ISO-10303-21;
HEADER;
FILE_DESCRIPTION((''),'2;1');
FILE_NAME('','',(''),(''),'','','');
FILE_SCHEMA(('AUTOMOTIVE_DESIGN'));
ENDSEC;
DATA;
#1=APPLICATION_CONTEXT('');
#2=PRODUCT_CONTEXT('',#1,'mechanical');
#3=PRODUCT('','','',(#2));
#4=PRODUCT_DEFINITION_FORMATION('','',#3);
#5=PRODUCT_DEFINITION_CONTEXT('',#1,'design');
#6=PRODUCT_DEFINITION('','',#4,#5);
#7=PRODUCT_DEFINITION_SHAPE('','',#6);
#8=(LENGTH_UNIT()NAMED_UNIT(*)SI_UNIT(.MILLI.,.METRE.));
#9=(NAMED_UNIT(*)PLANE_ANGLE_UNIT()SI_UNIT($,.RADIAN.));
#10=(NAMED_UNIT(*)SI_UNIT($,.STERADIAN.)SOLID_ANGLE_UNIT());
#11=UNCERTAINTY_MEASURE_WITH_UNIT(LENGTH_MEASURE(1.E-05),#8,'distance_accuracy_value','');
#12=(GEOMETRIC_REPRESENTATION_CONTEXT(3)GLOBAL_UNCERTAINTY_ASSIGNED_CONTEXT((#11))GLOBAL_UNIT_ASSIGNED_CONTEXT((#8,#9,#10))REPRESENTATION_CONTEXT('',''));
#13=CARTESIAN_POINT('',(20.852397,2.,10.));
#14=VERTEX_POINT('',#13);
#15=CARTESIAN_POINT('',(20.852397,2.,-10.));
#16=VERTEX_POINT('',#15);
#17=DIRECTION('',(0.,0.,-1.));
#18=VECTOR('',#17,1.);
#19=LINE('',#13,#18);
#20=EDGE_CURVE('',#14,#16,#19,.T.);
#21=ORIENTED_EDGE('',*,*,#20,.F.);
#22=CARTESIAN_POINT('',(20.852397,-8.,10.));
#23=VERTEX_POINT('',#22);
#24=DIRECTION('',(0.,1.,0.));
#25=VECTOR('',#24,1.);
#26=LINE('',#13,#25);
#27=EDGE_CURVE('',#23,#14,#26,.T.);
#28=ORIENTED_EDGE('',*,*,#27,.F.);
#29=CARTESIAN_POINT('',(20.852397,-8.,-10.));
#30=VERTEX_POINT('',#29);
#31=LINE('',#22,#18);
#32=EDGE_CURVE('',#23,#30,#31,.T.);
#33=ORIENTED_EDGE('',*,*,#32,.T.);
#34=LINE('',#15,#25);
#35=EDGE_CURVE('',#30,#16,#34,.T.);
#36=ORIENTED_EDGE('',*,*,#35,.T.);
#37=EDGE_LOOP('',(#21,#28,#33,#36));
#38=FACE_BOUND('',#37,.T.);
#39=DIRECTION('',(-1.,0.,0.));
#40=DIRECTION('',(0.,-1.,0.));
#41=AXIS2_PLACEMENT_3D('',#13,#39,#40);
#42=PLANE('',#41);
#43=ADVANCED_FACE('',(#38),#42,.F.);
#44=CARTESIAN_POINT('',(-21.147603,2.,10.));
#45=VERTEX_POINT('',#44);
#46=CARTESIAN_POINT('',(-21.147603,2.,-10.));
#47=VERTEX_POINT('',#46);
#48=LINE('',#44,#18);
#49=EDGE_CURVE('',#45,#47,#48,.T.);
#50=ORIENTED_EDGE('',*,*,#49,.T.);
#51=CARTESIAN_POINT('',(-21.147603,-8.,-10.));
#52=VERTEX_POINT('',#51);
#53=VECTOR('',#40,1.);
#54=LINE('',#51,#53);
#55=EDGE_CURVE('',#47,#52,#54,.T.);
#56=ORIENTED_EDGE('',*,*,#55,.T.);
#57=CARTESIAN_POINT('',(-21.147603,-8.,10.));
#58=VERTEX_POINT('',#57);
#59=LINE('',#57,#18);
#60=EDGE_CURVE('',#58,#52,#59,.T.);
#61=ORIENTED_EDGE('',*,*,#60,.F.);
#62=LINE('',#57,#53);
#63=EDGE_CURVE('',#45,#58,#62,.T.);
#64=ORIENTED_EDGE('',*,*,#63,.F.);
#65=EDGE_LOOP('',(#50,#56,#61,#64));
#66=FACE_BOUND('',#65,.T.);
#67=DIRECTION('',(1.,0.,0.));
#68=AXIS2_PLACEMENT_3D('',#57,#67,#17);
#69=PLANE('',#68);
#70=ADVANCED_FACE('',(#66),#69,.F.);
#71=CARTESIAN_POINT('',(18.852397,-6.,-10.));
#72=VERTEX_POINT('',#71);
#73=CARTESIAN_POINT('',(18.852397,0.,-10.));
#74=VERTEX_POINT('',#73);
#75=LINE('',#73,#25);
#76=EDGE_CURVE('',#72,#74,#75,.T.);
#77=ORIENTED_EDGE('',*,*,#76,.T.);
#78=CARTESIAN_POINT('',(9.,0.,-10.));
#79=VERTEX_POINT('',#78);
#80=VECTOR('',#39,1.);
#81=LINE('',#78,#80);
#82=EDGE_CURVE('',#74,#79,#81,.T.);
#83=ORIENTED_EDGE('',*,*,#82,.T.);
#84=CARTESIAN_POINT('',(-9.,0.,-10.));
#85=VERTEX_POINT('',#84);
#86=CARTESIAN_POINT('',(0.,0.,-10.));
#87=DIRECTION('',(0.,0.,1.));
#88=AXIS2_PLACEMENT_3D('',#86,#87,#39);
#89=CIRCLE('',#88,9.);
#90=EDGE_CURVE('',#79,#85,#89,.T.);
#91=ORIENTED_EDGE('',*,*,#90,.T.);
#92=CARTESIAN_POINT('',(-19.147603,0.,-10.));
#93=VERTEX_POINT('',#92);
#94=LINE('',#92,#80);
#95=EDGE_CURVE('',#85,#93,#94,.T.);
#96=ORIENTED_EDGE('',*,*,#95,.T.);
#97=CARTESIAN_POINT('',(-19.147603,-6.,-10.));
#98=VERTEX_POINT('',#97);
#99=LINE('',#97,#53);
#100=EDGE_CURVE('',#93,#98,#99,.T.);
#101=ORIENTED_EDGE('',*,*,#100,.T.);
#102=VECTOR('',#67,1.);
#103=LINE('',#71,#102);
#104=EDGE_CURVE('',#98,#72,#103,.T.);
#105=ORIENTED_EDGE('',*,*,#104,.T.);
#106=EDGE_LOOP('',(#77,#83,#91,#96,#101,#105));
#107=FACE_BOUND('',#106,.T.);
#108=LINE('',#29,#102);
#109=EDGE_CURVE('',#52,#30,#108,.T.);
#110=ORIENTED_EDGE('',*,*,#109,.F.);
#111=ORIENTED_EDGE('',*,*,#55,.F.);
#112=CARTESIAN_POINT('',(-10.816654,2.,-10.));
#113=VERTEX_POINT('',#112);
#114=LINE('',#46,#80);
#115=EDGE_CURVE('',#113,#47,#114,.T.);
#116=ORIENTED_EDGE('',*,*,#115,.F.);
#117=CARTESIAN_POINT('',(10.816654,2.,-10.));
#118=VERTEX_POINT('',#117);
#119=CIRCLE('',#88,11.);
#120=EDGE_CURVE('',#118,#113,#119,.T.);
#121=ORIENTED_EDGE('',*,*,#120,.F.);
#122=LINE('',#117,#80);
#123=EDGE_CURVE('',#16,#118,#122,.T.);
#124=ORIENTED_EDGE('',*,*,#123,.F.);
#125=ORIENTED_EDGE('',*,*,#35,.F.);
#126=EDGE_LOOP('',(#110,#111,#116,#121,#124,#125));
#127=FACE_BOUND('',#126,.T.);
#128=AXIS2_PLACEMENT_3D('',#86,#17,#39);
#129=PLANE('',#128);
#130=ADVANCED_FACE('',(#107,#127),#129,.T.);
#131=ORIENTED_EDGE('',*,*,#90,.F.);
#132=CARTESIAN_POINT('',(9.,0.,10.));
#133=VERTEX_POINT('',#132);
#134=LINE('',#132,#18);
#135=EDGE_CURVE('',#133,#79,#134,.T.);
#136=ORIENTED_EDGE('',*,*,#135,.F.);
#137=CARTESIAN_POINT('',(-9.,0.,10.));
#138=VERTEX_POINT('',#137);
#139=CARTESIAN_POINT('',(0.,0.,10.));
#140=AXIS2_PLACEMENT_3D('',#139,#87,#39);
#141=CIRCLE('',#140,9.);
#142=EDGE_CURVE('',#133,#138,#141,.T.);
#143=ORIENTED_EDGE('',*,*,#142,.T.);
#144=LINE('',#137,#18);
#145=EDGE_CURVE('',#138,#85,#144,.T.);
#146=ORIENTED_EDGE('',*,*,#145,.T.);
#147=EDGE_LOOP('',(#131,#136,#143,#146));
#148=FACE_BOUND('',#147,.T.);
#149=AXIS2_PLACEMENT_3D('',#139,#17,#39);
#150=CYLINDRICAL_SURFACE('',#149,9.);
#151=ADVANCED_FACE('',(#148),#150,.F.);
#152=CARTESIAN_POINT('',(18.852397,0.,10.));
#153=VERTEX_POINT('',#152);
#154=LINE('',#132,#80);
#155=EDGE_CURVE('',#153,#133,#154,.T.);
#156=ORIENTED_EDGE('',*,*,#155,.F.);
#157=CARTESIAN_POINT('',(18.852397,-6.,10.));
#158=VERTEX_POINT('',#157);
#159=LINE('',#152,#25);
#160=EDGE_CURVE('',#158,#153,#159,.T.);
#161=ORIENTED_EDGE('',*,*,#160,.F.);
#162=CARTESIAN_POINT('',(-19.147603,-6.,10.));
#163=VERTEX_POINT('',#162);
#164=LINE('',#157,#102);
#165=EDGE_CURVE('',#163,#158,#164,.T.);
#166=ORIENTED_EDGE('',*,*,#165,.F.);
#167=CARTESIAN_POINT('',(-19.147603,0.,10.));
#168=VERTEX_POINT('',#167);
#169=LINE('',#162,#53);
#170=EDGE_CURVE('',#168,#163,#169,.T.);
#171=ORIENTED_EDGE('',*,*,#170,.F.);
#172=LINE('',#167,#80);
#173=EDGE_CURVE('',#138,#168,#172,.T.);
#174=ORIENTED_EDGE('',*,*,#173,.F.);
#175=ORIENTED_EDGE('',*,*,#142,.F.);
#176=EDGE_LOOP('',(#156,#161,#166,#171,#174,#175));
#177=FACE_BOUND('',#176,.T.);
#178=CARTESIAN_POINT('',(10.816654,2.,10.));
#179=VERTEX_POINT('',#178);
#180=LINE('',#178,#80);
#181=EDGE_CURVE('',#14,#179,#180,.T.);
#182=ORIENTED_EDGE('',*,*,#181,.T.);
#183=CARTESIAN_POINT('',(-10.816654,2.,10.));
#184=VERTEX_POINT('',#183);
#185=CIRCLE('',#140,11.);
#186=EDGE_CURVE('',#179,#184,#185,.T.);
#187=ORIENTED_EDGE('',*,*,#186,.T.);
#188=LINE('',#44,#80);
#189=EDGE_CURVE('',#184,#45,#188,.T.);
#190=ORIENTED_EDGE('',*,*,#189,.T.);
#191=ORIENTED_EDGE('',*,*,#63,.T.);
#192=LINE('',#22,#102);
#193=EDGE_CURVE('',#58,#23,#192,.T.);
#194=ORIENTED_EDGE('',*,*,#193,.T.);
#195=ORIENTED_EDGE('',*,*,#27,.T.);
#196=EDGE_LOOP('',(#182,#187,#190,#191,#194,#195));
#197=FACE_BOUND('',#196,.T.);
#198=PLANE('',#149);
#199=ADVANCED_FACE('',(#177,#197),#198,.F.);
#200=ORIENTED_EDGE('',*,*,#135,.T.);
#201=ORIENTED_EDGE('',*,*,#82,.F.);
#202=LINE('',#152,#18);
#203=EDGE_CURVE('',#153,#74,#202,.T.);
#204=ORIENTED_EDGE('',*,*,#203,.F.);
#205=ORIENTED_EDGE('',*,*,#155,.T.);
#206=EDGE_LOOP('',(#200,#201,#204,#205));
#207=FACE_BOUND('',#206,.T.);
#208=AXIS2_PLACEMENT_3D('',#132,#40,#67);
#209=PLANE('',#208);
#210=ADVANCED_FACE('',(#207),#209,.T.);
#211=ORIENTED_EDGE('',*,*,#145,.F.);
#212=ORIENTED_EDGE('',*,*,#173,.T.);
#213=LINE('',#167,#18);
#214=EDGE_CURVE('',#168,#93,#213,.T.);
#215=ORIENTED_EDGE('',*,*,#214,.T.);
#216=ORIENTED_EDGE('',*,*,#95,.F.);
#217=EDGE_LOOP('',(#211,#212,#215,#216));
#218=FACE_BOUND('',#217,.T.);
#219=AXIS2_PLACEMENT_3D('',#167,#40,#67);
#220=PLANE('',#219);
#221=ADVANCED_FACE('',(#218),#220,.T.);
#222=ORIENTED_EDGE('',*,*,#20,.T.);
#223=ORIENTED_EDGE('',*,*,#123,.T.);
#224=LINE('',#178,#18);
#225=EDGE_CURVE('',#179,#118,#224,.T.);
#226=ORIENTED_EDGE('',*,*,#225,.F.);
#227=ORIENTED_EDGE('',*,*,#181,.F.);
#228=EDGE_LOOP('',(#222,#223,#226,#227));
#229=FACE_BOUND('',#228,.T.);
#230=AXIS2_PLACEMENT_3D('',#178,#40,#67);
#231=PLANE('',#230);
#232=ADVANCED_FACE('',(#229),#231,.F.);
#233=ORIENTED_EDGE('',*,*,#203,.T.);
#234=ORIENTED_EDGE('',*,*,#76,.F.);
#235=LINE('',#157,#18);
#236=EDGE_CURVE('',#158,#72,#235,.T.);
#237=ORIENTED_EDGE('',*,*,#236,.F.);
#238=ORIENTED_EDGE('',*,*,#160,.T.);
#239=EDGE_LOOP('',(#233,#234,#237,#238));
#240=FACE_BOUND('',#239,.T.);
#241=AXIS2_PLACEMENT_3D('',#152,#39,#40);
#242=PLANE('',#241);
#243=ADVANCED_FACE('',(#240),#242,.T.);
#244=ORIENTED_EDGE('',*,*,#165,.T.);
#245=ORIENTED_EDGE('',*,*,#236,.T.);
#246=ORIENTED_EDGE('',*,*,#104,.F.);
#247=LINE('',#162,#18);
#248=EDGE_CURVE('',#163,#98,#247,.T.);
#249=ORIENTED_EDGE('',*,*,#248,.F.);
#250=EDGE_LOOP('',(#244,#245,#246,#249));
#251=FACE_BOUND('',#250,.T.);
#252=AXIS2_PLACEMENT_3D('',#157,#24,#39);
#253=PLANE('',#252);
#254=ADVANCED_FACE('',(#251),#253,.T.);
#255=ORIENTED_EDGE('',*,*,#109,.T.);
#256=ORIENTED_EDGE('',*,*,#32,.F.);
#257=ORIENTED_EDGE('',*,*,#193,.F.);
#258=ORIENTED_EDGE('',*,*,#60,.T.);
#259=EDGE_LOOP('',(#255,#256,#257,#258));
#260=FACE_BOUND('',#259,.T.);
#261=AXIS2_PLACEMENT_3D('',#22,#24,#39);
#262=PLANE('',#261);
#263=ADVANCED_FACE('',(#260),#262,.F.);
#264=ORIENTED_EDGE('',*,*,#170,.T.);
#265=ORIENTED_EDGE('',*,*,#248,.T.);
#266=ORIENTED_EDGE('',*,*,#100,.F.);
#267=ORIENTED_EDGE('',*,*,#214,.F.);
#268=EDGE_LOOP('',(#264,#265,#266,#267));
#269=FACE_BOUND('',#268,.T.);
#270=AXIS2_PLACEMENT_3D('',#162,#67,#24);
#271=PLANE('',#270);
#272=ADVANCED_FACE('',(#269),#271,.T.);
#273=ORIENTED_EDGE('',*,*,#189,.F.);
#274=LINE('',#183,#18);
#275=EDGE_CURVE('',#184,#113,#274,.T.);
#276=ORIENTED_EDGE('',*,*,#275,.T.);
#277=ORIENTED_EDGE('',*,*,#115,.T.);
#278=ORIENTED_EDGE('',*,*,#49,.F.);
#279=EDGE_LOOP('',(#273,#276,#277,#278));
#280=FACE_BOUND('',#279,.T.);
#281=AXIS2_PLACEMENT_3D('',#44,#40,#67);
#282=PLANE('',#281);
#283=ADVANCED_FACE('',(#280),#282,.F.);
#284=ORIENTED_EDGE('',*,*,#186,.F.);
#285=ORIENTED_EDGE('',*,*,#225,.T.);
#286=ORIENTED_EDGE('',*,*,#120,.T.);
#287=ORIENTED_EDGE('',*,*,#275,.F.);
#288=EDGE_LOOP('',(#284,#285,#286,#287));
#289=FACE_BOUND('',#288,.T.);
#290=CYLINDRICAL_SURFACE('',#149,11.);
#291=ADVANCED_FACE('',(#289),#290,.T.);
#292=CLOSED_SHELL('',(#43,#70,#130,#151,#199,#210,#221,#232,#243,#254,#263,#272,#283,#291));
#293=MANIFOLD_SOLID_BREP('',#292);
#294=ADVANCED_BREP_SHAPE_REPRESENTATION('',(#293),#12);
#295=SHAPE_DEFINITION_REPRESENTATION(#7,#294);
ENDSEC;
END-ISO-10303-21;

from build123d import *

# Parameters (mm, degrees)
BOSS_EXTRUDE1_DEPTH = 10


with BuildPart() as part:
    # Sketch1 → Boss-Extrude1 (new, symmetric)
    with BuildSketch(Plane.XY):
        with BuildLine():
            Line((10.816653826, 2), (20.85239712, 2))
            Line((20.85239712, 2), (20.85239712, -8))
            Line((20.85239712, -8), (-21.14760288, -8))
            Line((-21.14760288, -8), (-21.14760288, 2))
            Line((-21.14760288, 2), (-10.816653826, 2))
            ThreePointArc((-10.816653826, 2), (0, 11), (10.816653826, 2))
        make_face()
        with BuildLine():
            Line((9, 0), (18.85239712, 0))
            Line((18.85239712, 0), (18.85239712, -6))
            Line((18.85239712, -6), (-19.14760288, -6))
            Line((-19.14760288, -6), (-19.14760288, 0))
            Line((-19.14760288, 0), (-9, 0))
            ThreePointArc((-9, 0), (0, 9), (9, 0))
        make_face(mode=Mode.SUBTRACT)
    extrude(amount=BOSS_EXTRUDE1_DEPTH, both=True)


solid = part.part
